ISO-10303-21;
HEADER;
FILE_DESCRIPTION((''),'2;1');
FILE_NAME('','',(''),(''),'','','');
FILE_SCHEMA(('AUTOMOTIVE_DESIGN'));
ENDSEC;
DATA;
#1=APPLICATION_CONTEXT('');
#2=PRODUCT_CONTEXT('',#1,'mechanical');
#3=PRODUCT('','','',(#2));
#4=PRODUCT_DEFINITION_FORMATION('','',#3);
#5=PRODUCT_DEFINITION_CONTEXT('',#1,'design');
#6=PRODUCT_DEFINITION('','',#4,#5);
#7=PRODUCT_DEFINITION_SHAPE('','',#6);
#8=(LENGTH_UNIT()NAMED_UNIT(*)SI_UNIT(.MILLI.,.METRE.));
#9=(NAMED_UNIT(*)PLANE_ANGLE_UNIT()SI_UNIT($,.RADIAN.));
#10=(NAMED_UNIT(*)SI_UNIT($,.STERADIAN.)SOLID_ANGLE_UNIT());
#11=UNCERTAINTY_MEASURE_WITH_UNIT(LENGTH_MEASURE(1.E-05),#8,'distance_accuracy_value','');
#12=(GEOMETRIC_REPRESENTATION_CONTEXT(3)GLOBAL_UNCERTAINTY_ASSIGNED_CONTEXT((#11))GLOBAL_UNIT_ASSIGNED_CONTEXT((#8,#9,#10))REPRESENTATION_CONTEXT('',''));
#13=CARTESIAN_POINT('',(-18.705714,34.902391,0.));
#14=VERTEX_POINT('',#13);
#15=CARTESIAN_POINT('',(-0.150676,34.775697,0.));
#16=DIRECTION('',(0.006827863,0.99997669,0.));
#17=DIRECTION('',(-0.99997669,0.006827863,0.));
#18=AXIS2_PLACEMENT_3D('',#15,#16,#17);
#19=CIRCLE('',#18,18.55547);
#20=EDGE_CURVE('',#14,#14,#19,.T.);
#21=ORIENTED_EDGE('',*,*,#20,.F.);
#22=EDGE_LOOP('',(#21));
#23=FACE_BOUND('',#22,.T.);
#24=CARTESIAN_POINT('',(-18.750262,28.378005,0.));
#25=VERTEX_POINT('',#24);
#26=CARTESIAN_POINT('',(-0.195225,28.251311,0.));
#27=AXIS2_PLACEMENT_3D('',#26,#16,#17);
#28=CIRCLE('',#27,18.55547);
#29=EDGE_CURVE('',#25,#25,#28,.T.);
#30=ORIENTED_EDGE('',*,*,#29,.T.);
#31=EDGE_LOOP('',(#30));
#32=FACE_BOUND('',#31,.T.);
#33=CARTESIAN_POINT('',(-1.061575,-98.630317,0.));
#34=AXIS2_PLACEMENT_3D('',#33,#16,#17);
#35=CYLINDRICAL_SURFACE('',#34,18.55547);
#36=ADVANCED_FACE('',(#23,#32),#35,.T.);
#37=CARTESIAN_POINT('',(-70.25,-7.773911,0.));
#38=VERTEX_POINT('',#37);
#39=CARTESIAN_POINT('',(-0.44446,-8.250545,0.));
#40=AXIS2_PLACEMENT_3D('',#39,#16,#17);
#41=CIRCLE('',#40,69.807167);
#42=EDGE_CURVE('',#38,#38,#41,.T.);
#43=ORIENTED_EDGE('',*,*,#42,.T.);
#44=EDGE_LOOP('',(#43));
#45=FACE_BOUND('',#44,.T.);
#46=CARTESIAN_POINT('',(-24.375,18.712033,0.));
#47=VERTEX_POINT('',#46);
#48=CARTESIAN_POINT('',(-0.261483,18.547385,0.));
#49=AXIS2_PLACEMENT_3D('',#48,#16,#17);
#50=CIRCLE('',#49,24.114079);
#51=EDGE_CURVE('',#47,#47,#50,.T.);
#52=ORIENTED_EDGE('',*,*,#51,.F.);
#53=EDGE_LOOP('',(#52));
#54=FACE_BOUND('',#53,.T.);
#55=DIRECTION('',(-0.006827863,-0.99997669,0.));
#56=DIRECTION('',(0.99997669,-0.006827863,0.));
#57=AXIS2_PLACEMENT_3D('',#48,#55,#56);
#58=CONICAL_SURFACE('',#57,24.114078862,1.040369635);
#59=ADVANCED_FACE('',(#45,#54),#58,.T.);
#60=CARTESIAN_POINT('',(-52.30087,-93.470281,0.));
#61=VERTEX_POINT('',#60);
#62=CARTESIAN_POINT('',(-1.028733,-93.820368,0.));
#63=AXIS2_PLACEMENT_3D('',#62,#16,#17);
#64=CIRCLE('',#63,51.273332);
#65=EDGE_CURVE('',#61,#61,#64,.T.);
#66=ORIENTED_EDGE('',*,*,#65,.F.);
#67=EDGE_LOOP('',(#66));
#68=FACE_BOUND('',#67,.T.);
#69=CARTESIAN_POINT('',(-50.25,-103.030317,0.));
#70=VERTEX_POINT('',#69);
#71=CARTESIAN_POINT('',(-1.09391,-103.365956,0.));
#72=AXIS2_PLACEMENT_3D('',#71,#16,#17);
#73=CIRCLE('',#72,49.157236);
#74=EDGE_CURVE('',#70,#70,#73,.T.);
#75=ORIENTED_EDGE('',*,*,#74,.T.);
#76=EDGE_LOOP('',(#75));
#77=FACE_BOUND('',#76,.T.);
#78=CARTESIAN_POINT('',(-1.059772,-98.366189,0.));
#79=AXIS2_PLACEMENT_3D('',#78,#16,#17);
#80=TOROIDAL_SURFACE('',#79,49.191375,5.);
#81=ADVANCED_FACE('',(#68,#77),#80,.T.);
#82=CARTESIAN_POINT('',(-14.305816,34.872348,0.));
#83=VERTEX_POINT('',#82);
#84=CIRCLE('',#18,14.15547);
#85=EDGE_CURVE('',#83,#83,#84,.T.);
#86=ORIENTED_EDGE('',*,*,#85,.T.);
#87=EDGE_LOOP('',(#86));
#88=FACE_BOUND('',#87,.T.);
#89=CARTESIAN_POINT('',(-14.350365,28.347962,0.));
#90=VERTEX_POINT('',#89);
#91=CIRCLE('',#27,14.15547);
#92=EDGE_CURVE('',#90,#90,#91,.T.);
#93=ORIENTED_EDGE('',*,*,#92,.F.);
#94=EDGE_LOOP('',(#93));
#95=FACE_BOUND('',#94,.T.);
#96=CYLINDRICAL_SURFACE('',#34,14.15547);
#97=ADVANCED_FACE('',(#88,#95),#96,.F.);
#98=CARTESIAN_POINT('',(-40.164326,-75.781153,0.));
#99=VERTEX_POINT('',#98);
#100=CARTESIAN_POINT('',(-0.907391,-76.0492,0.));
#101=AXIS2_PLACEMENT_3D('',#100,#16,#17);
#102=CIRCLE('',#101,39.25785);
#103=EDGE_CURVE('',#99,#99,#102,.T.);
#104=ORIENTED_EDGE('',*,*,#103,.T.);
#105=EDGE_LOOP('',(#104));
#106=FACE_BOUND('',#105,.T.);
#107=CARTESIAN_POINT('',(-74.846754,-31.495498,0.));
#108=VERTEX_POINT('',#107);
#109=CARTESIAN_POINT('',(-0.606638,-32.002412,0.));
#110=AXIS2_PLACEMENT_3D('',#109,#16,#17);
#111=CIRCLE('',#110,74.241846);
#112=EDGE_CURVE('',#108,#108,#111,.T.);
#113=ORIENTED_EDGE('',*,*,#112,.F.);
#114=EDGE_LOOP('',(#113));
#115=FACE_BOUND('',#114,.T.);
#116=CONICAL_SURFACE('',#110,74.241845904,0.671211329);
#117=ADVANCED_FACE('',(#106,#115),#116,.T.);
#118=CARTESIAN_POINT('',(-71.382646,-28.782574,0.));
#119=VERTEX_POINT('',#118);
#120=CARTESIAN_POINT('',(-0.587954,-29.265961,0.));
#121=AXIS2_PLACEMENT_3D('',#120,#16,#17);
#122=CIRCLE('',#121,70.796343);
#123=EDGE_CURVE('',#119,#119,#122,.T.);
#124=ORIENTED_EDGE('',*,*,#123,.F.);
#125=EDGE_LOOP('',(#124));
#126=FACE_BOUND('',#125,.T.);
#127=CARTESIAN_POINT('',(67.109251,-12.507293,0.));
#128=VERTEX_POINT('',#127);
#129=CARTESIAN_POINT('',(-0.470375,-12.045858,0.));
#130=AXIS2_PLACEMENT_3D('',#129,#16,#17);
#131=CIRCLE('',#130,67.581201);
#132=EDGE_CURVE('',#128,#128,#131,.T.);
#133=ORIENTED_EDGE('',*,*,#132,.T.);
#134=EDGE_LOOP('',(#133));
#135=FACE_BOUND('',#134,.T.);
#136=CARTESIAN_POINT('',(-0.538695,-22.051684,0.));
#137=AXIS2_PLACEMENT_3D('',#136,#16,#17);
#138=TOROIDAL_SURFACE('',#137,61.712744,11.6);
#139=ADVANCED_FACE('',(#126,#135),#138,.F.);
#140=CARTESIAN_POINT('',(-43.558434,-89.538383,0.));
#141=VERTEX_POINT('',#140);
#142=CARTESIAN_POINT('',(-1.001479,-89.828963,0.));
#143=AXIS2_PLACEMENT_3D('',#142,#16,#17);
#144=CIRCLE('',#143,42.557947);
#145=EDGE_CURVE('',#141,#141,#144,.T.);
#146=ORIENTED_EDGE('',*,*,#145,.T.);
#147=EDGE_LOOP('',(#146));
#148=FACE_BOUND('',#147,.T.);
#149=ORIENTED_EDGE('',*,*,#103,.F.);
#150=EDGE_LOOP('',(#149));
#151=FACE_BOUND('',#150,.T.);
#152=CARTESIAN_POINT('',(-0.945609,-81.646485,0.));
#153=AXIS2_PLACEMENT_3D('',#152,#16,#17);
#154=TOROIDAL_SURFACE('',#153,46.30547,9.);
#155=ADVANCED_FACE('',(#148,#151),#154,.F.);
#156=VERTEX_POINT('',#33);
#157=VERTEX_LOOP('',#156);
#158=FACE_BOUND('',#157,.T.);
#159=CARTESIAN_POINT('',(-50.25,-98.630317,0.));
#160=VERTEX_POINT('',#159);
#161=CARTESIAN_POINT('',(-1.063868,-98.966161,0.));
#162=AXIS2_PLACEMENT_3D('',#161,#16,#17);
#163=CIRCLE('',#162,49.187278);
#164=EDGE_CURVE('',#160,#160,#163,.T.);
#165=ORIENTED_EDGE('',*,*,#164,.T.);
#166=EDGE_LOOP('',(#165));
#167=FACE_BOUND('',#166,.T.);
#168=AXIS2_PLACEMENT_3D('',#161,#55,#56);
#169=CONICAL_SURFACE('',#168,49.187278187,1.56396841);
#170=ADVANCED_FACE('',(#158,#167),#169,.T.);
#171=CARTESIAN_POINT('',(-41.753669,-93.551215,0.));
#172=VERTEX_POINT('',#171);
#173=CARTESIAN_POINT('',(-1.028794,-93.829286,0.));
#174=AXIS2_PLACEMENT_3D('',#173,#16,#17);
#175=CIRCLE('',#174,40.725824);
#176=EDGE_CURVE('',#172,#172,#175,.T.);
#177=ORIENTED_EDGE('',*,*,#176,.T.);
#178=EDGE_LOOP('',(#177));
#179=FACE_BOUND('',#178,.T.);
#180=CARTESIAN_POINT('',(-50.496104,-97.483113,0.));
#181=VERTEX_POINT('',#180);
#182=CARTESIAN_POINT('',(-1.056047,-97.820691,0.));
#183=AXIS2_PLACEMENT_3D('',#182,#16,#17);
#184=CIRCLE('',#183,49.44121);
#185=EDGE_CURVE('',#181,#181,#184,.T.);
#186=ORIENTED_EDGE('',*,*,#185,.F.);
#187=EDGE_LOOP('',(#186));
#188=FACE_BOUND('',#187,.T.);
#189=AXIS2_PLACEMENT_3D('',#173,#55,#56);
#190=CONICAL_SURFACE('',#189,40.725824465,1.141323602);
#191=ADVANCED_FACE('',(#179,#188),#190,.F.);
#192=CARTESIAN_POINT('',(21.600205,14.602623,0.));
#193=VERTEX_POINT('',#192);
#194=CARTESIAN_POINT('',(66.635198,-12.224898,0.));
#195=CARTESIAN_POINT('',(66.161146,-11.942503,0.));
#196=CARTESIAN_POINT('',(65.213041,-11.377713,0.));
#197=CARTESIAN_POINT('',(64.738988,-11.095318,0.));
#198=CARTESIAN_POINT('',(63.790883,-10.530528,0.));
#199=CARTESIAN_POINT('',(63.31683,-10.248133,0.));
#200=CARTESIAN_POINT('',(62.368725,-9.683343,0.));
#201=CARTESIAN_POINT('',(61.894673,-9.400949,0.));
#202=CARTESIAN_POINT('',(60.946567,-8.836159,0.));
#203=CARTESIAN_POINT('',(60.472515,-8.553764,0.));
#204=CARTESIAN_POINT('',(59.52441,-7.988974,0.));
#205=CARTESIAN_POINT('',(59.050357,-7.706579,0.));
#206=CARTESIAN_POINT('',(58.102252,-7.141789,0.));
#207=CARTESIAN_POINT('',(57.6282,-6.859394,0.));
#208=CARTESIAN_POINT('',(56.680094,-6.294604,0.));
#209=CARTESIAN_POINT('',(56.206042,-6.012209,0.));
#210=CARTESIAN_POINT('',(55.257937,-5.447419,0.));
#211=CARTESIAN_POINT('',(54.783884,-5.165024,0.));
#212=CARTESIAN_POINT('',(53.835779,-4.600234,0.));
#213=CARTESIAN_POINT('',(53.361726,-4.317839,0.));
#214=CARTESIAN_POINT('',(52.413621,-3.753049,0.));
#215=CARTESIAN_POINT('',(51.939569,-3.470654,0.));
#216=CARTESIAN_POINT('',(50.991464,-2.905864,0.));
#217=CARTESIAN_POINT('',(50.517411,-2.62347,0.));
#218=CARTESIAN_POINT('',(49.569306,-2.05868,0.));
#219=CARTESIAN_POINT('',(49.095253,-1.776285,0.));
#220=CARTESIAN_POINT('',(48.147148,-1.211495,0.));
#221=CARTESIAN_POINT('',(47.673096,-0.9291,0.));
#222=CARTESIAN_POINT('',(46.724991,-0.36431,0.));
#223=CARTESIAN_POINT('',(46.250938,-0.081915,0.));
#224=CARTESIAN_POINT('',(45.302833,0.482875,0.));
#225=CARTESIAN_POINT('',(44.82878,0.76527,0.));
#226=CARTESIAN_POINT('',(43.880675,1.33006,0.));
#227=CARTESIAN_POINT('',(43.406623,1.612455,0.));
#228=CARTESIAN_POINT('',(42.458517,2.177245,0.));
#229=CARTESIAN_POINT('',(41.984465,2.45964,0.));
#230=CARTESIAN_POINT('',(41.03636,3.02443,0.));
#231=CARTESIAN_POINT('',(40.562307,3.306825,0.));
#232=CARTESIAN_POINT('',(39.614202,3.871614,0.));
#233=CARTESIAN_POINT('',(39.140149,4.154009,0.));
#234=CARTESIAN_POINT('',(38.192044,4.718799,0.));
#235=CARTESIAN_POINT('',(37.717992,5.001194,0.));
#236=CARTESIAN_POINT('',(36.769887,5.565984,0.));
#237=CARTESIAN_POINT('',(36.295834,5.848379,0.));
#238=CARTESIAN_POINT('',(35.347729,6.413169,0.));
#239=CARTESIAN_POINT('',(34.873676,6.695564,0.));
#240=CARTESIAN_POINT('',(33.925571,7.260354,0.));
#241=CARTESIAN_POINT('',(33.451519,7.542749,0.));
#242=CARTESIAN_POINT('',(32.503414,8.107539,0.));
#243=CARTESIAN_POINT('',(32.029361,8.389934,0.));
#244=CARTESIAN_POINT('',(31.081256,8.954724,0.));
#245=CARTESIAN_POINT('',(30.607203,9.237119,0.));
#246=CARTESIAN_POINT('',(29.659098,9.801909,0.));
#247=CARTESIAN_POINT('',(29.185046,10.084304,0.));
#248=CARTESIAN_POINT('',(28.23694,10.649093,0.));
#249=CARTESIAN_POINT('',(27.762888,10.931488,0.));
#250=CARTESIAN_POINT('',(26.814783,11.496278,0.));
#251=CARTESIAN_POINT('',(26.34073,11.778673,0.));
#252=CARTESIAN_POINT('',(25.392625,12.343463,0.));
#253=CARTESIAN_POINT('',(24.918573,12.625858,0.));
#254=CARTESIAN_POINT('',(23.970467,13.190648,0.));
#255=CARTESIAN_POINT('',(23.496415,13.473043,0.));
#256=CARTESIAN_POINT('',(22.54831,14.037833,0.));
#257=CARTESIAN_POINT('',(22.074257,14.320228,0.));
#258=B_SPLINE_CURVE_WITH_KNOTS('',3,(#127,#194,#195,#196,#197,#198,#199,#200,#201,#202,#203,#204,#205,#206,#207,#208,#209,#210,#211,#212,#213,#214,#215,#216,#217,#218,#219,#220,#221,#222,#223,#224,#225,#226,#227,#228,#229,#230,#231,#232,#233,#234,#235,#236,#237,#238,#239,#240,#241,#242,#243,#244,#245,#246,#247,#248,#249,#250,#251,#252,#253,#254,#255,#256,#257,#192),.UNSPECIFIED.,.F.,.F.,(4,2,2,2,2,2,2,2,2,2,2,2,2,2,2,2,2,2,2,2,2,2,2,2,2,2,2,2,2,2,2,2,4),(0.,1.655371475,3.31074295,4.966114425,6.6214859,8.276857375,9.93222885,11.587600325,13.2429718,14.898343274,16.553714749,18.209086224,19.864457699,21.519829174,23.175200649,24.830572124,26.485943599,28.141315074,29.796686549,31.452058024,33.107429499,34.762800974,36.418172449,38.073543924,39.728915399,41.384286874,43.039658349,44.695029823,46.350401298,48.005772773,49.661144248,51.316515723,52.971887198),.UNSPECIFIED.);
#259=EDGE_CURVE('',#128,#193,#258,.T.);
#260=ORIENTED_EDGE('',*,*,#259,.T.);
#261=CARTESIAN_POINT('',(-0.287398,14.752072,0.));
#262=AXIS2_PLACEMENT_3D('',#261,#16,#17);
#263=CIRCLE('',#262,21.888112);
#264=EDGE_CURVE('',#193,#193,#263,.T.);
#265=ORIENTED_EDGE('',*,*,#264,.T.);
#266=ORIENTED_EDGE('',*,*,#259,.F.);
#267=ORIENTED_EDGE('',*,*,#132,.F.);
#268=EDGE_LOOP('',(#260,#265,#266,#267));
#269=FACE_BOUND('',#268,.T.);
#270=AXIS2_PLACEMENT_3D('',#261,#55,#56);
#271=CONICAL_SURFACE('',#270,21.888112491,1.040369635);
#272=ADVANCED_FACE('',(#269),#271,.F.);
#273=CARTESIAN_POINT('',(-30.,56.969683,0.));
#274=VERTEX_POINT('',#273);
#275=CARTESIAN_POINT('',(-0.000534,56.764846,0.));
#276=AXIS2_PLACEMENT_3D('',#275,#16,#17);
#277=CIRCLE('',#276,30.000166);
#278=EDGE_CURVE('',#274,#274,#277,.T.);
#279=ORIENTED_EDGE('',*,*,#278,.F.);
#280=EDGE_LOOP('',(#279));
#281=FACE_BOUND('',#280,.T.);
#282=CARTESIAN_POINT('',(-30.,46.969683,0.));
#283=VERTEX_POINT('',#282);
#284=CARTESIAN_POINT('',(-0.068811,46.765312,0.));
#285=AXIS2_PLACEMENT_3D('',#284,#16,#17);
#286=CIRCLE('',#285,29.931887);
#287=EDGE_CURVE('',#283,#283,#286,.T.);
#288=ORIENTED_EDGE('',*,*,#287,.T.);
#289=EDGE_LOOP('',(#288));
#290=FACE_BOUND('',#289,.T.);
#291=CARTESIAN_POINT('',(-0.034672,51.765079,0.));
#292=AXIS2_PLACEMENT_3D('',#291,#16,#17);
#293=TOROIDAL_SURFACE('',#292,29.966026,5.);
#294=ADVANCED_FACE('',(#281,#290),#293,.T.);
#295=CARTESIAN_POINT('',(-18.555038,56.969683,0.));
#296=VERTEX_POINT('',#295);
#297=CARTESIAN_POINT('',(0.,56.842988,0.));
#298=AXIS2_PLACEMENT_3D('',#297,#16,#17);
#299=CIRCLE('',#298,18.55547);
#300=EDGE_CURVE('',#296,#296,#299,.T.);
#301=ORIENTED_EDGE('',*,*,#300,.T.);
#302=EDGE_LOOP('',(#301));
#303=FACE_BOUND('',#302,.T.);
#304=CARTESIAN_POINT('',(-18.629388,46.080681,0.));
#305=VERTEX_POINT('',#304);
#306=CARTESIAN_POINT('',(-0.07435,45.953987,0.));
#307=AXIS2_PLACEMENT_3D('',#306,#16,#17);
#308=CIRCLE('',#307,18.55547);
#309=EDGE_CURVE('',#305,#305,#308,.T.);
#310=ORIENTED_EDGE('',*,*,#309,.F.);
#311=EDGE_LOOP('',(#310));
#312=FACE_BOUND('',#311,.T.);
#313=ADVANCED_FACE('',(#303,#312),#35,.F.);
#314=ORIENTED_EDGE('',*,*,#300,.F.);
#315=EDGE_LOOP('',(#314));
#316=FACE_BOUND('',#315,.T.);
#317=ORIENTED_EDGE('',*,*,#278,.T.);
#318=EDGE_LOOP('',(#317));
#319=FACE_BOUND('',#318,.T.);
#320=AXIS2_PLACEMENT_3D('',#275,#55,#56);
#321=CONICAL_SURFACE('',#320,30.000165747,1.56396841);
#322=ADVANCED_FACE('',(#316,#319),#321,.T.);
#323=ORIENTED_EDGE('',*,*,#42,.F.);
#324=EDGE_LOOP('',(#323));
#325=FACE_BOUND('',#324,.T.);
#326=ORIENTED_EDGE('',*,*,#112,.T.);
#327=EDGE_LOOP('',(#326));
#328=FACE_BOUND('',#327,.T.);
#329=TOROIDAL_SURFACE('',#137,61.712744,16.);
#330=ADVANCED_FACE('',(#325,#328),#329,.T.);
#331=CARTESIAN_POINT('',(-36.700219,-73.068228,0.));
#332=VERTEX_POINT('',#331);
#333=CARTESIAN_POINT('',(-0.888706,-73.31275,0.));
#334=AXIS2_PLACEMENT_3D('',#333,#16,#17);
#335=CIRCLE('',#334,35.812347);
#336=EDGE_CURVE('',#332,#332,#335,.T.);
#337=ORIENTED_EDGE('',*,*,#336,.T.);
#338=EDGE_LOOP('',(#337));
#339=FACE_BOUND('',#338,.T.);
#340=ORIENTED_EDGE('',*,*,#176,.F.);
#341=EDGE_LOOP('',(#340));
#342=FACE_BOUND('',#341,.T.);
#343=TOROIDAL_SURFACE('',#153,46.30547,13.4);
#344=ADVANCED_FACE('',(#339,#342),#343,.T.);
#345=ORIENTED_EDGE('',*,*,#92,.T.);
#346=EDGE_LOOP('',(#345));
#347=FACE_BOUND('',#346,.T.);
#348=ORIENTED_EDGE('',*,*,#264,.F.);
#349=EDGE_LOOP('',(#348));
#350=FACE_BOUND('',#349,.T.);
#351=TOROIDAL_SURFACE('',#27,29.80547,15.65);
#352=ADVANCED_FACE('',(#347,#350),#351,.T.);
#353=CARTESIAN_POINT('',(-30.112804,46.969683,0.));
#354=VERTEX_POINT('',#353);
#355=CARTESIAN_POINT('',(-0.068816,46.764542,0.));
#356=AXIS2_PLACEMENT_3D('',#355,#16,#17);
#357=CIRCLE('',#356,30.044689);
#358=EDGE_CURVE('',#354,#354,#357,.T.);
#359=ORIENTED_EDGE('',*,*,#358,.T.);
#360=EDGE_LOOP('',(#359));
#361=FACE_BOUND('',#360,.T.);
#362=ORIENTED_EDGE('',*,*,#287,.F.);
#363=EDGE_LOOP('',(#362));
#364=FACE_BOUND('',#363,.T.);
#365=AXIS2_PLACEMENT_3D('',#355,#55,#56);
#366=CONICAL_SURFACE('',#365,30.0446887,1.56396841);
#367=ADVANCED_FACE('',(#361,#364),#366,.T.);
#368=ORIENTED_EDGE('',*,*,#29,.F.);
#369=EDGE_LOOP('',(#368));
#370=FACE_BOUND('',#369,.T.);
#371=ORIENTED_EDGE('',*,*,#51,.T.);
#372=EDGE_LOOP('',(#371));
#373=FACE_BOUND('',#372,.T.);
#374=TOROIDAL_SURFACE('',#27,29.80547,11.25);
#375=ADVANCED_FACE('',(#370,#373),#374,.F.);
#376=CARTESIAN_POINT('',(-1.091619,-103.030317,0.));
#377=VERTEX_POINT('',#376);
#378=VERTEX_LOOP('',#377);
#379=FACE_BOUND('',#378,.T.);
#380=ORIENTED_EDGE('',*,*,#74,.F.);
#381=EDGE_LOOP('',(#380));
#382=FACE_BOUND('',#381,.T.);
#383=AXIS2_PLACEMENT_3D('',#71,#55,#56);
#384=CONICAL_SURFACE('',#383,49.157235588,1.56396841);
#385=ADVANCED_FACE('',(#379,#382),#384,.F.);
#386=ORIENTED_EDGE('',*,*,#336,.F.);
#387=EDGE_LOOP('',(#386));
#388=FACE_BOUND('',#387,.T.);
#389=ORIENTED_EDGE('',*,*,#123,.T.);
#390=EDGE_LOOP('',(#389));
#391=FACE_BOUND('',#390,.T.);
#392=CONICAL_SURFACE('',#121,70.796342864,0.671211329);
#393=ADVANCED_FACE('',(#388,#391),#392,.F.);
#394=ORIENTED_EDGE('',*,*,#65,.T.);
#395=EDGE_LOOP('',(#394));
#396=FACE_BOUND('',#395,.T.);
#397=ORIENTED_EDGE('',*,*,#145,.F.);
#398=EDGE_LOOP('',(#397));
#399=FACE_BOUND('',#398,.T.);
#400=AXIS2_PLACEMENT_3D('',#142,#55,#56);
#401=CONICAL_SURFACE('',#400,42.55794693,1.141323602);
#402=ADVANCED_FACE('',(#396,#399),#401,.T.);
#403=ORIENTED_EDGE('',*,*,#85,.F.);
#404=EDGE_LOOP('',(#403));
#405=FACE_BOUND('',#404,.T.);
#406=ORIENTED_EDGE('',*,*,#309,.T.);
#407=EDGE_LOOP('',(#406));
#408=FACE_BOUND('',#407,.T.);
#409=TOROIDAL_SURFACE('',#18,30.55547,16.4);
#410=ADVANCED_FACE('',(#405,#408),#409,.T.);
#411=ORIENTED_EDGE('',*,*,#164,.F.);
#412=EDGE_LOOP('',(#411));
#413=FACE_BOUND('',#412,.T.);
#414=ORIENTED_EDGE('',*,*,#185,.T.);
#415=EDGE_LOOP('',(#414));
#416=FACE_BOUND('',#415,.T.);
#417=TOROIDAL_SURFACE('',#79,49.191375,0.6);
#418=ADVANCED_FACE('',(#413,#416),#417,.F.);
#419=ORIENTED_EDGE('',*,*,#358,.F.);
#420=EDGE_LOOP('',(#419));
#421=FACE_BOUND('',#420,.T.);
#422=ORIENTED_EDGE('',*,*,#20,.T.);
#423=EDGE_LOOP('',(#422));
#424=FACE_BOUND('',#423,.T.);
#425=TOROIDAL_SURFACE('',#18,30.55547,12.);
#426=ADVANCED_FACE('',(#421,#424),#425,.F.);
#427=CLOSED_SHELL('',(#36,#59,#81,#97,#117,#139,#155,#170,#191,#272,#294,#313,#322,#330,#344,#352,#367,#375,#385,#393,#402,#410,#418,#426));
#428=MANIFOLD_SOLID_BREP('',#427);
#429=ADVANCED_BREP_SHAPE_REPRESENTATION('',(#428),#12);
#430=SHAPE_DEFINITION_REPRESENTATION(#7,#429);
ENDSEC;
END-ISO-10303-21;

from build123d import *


with BuildPart() as part:
    # Sketch1 → Revolve1 (revolve)
    with BuildSketch(Plane.XY):
        with BuildLine():
            ThreePointArc((-30.112804191, 46.969682677), (-21.984957877, 43.22770443), (-18.705713585, 34.902390995))
            Line((-18.705713585, 34.902390995), (-18.750262239, 28.378005059))
            ThreePointArc((-18.750262239, 28.378005059), (-20.276474461, 22.796589902), (-24.375, 18.712032728))
            Line((-24.375, 18.712032728), (-70.25, -7.773910871))
            ThreePointArc((-70.25, -7.773910871), (-77.957800408, -18.586470041), (-74.846753704, -31.495498329))
            Line((-74.846753704, -31.495498329), (-40.164326041, -75.78115302))
            ThreePointArc((-40.164326041, -75.78115302), (-38.512004339, -83.486107634), (-43.558434277, -89.53838303))
            Line((-43.558434277, -89.53838303), (-52.300869846, -93.470280832))
            ThreePointArc((-52.300869846, -93.470280832), (-55.138771957, -99.079082678), (-50.25, -103.030317332))
            Line((-50.25, -103.030317332), (-1.091618523, -103.030317332))
            Line((-1.091618523, -103.030317332), (-1.061575225, -98.630317332))
            Line((-1.061575225, -98.630317332), (-50.25, -98.630317332))
            ThreePointArc((-50.25, -98.630317332), (-50.836652635, -98.156169173), (-50.496104382, -97.483112952))
            Line((-50.496104382, -97.483112952), (-41.753668813, -93.55121515))
            ThreePointArc((-41.753668813, -93.55121515), (-34.240095349, -84.540049559), (-36.700218773, -73.068228246))
            Line((-36.700218773, -73.068228246), (-71.382646435, -28.782573555))
            ThreePointArc((-71.382646435, -28.782573555), (-73.638155296, -19.423528046), (-68.05, -11.584422648))
            Line((-68.05, -11.584422648), (-22.175, 14.901520951))
            ThreePointArc((-22.175, 14.901520951), (-16.473495584, 20.58359382), (-14.350364804, 28.34796246))
            Line((-14.350364804, 28.34796246), (-14.30581615, 34.872348397))
            ThreePointArc((-14.30581615, 34.872348397), (-15.404370627, 40.886652338), (-18.629387968, 46.080681312))
            Line((-18.629387968, 46.080681312), (-18.623317847, 46.969682677))
            Line((-18.623317847, 46.969682677), (-18.555037622, 56.969682677))
            Line((-18.555037622, 56.969682677), (-30, 56.969682677))
            ThreePointArc((-30, 56.969682677), (-34.998923216, 52.073445297), (-30.207480548, 46.973989349))
            ThreePointArc((-30.207480548, 46.973989349), (-30.10376262, 46.970759461), (-30, 46.969682677))
            Line((-30, 46.969682677), (-30.112804191, 46.969682677))
        make_face()
    revolve(axis=Axis((-1.061575225, -98.630317332, 0), (-0.0068278633025588885, -0.9999766898696797, 0)))


solid = part.part
